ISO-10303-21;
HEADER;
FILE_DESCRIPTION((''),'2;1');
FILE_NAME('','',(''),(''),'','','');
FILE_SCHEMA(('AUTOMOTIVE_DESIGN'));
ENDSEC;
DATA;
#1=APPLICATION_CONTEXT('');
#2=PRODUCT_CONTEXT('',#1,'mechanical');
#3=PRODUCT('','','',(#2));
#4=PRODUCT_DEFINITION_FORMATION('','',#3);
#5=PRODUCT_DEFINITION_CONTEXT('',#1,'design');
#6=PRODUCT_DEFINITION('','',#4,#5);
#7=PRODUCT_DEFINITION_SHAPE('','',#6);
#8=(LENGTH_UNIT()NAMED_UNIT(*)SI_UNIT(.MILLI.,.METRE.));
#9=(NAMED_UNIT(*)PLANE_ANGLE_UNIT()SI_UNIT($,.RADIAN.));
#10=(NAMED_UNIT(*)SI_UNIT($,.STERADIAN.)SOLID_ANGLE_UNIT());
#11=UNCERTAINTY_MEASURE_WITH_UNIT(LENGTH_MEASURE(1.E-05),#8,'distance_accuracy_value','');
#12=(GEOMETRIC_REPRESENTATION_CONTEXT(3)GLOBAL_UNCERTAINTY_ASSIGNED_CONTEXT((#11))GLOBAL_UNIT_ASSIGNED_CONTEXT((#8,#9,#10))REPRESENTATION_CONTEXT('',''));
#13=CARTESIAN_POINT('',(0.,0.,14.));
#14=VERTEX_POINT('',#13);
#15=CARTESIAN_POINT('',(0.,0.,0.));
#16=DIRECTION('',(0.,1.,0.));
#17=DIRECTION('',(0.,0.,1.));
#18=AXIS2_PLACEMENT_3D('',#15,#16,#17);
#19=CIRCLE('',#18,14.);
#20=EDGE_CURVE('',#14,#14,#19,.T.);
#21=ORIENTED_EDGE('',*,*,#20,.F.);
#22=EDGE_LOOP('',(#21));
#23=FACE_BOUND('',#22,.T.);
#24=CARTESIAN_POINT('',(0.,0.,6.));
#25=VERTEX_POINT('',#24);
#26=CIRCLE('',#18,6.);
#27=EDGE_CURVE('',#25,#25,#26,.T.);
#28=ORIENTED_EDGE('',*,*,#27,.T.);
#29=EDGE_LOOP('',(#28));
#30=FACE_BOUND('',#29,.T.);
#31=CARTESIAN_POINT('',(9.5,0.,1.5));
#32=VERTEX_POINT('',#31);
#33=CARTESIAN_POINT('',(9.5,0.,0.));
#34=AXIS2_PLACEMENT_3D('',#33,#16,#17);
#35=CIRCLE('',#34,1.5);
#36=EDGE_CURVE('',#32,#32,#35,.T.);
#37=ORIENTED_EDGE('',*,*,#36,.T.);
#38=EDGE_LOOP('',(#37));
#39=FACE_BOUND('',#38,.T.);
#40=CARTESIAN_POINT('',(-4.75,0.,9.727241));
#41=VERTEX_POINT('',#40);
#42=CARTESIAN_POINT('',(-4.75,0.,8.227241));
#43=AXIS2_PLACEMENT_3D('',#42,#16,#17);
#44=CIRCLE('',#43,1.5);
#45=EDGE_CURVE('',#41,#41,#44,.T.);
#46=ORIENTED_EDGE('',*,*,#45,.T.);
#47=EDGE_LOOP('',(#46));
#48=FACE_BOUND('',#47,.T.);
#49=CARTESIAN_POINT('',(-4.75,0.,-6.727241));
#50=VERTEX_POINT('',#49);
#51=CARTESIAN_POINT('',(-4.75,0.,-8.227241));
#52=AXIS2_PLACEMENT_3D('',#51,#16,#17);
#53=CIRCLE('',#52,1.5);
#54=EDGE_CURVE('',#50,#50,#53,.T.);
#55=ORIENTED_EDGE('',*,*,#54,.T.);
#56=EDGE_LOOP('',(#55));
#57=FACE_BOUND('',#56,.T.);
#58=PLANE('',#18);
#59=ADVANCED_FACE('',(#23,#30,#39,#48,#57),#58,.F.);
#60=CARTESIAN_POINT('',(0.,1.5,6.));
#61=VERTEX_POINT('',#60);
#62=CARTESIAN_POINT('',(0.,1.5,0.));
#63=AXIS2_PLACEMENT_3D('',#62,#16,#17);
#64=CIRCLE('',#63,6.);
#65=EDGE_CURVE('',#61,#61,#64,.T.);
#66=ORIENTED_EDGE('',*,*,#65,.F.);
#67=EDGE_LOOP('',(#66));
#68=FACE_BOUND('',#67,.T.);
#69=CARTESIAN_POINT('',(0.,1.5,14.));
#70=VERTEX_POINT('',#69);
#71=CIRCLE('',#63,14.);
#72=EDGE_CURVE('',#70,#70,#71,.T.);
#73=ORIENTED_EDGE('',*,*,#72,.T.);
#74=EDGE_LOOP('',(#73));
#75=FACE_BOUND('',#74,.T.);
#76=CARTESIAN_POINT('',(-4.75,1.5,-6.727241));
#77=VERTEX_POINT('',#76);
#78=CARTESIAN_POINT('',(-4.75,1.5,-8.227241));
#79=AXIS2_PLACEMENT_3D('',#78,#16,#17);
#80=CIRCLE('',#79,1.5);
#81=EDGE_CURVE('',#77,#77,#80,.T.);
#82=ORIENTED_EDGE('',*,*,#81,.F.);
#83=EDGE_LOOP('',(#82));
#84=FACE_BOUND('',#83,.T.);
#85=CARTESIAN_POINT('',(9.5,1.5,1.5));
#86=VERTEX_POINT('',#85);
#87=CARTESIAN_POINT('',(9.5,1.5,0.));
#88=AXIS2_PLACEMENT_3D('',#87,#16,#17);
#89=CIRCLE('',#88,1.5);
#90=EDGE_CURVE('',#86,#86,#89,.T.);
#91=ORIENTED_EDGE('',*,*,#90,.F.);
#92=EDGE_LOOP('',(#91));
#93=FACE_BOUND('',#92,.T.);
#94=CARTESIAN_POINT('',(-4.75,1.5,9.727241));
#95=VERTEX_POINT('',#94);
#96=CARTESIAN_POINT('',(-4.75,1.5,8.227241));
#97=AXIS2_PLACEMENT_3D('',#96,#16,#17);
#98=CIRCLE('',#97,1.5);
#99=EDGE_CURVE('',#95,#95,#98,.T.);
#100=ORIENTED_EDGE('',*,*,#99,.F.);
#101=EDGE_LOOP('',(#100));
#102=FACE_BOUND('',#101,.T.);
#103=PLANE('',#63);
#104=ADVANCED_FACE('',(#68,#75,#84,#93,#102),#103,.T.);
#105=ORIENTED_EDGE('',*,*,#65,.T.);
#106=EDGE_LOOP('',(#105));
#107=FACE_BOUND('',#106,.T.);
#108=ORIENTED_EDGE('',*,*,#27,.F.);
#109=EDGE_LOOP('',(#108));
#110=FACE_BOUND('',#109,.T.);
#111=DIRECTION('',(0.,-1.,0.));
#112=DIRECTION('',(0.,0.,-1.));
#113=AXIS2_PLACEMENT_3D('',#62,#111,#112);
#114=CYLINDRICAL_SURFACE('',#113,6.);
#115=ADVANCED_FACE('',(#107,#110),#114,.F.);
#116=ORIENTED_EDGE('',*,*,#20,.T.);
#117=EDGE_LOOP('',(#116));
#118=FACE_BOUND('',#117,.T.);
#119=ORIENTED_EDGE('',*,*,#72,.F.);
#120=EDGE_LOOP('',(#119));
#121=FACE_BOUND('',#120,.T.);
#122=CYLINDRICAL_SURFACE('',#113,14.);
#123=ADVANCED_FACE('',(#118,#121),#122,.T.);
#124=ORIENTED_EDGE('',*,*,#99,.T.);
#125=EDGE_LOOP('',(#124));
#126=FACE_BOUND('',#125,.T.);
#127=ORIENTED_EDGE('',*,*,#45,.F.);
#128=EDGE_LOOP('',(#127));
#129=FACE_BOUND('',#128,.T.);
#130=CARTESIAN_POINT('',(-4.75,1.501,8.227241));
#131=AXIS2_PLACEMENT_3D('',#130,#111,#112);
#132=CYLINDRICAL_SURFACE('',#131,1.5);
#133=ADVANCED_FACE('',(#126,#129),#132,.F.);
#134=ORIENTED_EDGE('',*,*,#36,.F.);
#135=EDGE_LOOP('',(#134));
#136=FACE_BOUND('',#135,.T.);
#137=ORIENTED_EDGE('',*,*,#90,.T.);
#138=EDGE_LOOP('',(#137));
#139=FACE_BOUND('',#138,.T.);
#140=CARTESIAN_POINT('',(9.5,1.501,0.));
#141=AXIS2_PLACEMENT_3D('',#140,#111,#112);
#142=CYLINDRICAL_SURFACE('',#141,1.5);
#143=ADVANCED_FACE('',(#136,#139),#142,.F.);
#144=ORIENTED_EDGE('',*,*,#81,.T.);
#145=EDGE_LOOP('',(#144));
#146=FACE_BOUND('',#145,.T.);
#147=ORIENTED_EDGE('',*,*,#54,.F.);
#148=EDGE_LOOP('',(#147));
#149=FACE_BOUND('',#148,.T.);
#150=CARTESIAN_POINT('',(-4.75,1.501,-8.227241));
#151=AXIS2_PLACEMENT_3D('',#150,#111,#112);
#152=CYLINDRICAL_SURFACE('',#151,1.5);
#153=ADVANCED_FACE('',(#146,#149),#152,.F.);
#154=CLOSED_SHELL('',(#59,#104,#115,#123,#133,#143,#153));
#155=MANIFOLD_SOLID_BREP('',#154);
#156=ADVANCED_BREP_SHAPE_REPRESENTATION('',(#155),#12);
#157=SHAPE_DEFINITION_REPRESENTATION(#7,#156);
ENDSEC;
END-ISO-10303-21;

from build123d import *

# Parameters (mm, degrees)
SKETCH_1_R          = 14
SKETCH_1_R_2        = 6
EXTRUDE_1_DEPTH     = 1.5
CUT_EXTRUDE_2_REACH = 21.856
SKETCH_2_R          = 1.5


with BuildPart() as part:
    # 草图1 → 凸台-拉伸1 (new body)
    with BuildSketch(Plane(origin=(0, 0, 0), x_dir=(1, 0, 0), z_dir=(0, 1, 0))):
        with Locations(Location((0, 0, 0), (0, 0, 270))):
            Circle(SKETCH_1_R)
        with Locations(Location((0, 0, 0), (0, 0, 270))):
            Circle(SKETCH_1_R_2, mode=Mode.SUBTRACT)
    extrude(amount=EXTRUDE_1_DEPTH)

    # 草图2 → 切除-拉伸2 (cut, up to next)
    with BuildSketch(Plane(origin=(0, 0, 0), x_dir=(1, 0, 0), z_dir=(0, 1, 0)), mode=Mode.PRIVATE) as cut_extrude_2_sk1:
        with Locations(Location((9.5, 0, 0), (0, 0, 270))):
            Circle(SKETCH_2_R)
    cut_extrude_2_tool1 = extrude(cut_extrude_2_sk1.sketch, amount=CUT_EXTRUDE_2_REACH, mode=Mode.PRIVATE) & part.part
    # 草图2 → 切除-拉伸2 (cut, up to next)
    with BuildSketch(Plane(origin=(0, 0, 0), x_dir=(1, 0, 0), z_dir=(0, 1, 0)), mode=Mode.PRIVATE) as cut_extrude_2_sk2:
        with Locations(Location((-4.75, -8.227241336, 0), (0, 0, 270))):
            Circle(SKETCH_2_R)
    cut_extrude_2_tool2 = extrude(cut_extrude_2_sk2.sketch, amount=CUT_EXTRUDE_2_REACH, mode=Mode.PRIVATE) & part.part
    # 草图2 → 切除-拉伸2 (cut, up to next)
    with BuildSketch(Plane(origin=(0, 0, 0), x_dir=(1, 0, 0), z_dir=(0, 1, 0)), mode=Mode.PRIVATE) as cut_extrude_2_sk3:
        with Locations(Location((-4.75, 8.227241336, 0), (0, 0, 270))):
            Circle(SKETCH_2_R)
    cut_extrude_2_tool3 = extrude(cut_extrude_2_sk3.sketch, amount=CUT_EXTRUDE_2_REACH, mode=Mode.PRIVATE) & part.part
    add(cut_extrude_2_tool1.solids().sort_by_distance((9.5, 0, 0))[0], mode=Mode.SUBTRACT)
    add(cut_extrude_2_tool2.solids().sort_by_distance((-4.75, 0, 8.227241))[0], mode=Mode.SUBTRACT)
    add(cut_extrude_2_tool3.solids().sort_by_distance((-4.75, 0, -8.227241))[0], mode=Mode.SUBTRACT)


solid = part.part
